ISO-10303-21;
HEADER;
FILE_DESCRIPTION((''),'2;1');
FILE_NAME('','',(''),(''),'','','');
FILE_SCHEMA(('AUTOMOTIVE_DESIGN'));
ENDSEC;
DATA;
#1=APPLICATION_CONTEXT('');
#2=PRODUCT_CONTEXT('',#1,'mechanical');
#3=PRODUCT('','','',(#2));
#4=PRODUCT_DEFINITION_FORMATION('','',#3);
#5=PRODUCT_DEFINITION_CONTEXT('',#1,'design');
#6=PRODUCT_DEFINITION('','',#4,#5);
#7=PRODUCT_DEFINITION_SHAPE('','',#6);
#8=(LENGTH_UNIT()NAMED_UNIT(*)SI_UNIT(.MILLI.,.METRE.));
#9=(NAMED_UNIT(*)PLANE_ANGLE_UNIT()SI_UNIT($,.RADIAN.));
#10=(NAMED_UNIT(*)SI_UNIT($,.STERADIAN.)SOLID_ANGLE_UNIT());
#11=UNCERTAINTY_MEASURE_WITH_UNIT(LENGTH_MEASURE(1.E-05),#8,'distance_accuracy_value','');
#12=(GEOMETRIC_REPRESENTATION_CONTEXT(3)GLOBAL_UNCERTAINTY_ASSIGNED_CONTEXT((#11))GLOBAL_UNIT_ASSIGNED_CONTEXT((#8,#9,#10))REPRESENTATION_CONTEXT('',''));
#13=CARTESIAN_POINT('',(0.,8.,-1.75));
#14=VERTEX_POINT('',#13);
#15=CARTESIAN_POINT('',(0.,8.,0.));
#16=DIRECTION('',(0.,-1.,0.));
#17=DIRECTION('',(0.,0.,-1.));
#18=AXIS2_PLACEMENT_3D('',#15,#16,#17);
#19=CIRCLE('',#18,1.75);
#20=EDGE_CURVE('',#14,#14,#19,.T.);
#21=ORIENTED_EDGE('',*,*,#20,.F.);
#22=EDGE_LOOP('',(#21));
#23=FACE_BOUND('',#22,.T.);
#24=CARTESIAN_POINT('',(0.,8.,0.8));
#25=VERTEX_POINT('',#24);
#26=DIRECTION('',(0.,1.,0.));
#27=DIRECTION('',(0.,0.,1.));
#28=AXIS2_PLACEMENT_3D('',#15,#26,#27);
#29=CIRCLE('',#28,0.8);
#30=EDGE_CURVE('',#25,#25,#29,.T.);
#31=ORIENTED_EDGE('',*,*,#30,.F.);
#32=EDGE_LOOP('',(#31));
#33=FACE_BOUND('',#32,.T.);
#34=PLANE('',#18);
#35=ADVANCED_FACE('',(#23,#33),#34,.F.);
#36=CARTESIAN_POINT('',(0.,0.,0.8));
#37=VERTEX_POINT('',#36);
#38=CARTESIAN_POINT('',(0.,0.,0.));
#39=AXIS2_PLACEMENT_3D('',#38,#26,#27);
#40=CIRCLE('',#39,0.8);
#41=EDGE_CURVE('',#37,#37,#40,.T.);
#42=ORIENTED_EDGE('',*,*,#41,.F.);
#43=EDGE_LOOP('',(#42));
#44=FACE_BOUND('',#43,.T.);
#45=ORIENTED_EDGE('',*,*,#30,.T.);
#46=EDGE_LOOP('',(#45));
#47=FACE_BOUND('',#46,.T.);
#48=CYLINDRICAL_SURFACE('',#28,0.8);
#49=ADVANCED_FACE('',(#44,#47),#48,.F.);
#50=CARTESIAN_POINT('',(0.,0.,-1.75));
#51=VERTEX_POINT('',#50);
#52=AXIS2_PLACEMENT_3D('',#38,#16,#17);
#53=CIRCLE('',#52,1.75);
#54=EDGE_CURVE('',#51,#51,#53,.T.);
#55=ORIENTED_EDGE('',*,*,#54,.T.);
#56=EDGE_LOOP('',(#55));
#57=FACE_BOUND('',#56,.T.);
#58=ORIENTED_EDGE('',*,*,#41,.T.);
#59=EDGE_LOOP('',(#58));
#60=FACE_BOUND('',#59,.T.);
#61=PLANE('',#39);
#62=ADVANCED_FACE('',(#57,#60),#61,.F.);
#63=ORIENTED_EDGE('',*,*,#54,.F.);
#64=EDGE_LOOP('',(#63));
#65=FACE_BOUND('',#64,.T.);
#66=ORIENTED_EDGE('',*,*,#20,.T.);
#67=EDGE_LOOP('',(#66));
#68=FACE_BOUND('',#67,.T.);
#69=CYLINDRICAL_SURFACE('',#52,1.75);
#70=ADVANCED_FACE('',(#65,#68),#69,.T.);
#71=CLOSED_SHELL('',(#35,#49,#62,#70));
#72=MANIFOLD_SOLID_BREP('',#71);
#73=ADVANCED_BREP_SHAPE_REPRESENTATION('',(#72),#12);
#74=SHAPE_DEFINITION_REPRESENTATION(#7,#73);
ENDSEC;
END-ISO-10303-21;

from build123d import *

# Parameters (mm, degrees)
SKETCH1_W             = 1.75
SKETCH1_H             = 8
M2X0_4_TAPPED_HOLE1_D = 1.6


with BuildPart() as part:
    # Sketch1 → Revolve1 (revolve)
    with BuildSketch(Plane.XY, mode=Mode.PRIVATE) as revolve1_sk:
        with Locations((-0.875, 4)):
            Rectangle(SKETCH1_W, SKETCH1_H)
    revolve(revolve1_sk.sketch.rotate(Axis((0, 0, 0), (0, 1, 0)), 270), axis=Axis((0, 0, 0), (0, 1, 0)))

    # M2x0.4 Tapped Hole1 (through all)
    with Locations(Plane(origin=(0, 8, 0), x_dir=(-1, 0, 0), z_dir=(0, 1, 0))):
        with Locations((0, 0)):
            Hole(M2X0_4_TAPPED_HOLE1_D / 2)


solid = part.part
